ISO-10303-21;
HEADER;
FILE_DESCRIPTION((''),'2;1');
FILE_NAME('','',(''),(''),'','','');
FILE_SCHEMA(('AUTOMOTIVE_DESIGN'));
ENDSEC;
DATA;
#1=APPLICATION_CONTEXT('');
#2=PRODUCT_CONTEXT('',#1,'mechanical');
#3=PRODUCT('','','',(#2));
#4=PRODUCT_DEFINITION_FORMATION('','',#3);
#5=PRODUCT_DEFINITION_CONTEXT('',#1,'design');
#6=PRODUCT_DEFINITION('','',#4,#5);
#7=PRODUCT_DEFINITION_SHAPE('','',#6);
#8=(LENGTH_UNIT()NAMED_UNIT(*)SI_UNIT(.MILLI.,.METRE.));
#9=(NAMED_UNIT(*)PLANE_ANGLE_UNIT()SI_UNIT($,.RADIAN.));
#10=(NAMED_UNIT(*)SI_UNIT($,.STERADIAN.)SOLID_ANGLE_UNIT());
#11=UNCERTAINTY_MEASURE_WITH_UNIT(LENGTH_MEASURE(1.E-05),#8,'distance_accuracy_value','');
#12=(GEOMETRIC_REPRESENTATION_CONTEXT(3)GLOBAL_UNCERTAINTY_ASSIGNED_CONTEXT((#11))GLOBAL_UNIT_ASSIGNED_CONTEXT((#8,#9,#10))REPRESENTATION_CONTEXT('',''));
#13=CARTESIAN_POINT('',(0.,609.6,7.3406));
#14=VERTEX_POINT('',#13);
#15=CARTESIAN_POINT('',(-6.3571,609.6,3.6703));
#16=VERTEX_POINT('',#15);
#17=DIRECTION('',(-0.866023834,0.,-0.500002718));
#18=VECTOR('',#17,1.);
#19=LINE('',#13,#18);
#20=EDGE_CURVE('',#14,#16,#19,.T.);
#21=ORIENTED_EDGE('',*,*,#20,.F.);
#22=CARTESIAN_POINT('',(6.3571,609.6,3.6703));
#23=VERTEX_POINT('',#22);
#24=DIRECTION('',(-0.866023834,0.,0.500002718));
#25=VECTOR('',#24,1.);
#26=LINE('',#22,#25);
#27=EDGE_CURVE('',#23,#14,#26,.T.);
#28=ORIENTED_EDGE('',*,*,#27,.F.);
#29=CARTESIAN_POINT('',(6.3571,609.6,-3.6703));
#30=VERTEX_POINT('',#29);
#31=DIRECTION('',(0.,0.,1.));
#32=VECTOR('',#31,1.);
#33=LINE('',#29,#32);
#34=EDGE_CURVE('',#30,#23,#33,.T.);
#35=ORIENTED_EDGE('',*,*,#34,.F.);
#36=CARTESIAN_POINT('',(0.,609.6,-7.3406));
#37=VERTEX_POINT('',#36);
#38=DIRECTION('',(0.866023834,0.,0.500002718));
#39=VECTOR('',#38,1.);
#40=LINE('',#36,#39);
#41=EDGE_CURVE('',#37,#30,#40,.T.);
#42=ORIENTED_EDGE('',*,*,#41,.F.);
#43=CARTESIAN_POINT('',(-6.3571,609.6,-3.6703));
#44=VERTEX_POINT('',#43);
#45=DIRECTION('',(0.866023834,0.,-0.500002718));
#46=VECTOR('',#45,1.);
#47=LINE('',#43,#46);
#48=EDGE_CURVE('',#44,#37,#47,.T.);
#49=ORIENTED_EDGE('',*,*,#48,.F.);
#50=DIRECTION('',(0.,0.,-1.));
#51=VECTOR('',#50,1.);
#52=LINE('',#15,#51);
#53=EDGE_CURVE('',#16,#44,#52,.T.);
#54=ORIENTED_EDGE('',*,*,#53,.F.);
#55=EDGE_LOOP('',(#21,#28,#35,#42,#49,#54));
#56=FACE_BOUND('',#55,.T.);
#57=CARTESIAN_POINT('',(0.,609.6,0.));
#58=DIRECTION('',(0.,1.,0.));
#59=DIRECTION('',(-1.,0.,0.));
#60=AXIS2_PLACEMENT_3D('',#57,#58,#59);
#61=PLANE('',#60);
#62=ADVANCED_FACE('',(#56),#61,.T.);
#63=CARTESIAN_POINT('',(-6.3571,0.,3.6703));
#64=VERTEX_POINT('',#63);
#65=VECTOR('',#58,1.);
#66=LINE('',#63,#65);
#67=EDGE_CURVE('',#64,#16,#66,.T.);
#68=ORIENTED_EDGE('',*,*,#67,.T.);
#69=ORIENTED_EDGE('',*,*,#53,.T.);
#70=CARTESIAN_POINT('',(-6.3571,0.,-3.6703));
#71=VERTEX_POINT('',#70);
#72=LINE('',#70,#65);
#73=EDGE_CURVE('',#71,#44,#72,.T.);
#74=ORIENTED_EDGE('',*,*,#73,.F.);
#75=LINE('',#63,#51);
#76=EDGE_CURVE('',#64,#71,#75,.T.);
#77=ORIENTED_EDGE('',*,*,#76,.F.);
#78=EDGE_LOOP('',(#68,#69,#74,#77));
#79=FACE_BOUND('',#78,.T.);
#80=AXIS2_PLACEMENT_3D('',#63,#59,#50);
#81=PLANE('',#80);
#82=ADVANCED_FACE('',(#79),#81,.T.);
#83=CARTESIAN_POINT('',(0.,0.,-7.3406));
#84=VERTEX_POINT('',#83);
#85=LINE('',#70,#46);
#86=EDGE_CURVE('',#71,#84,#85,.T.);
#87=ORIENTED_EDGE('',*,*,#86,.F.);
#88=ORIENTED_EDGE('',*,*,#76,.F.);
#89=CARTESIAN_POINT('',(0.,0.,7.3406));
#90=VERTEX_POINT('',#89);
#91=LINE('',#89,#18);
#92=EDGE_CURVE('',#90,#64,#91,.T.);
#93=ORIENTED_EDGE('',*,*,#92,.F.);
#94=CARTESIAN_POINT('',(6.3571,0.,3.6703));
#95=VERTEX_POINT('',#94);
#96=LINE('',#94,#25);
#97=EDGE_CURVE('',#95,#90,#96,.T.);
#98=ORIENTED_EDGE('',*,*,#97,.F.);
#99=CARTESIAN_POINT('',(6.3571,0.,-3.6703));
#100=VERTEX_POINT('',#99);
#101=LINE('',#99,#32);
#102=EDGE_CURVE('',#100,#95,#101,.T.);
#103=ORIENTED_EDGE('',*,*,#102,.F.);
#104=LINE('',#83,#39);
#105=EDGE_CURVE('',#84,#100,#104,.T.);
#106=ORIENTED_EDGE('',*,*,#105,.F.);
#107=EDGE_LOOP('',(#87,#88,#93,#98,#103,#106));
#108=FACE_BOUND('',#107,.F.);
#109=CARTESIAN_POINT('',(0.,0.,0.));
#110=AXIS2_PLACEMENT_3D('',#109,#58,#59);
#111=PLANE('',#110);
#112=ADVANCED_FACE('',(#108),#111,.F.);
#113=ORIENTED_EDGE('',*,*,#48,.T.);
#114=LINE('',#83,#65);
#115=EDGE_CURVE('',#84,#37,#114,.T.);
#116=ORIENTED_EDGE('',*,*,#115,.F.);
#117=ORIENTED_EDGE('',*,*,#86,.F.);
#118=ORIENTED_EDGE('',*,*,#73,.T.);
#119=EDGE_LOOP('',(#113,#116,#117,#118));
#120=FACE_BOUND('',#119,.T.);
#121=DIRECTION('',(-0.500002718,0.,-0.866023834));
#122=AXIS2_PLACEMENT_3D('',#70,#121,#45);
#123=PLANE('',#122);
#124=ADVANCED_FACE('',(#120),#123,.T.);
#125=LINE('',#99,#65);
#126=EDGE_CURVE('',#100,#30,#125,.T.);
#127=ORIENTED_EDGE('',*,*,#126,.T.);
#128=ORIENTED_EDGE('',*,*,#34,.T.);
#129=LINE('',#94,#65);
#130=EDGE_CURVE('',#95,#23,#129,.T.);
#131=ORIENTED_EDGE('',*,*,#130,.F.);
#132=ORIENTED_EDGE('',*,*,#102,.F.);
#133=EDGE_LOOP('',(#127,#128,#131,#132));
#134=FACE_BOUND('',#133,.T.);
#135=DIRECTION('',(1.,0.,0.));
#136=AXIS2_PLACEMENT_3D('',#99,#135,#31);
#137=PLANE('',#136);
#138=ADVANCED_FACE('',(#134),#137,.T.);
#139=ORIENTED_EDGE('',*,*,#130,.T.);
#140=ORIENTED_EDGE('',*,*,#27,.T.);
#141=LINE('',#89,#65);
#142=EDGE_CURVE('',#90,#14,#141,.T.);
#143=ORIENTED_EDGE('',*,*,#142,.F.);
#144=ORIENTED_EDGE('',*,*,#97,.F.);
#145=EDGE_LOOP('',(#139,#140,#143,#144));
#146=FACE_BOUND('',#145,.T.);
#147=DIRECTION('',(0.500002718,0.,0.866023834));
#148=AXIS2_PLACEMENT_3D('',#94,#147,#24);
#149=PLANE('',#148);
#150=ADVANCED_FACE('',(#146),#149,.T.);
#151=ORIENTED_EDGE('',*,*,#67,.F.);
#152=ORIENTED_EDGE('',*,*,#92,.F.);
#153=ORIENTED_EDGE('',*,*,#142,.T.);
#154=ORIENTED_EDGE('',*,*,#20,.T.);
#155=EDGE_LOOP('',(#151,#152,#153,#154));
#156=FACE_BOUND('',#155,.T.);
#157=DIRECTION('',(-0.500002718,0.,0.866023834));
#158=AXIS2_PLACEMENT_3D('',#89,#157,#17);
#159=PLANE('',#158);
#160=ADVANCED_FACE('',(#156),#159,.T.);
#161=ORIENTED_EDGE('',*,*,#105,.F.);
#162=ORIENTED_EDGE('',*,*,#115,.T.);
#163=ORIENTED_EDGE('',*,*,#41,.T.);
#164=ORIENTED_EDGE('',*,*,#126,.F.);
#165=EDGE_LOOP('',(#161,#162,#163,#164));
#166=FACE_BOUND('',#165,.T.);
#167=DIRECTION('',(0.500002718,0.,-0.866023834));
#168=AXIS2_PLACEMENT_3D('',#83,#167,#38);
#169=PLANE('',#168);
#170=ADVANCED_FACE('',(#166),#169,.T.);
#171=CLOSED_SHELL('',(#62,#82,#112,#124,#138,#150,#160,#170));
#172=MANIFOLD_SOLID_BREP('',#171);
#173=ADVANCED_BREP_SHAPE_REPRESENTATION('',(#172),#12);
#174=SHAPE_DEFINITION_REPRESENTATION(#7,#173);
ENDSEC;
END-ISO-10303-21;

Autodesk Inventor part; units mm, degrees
ref_plane "YZ Plane" through (0, 0, 0) normal (1, 0, 0) x (0, 1, 0)
ref_plane "XZ Plane" through (0, 0, 0) normal (0, 1, 0) x (-1, 0, 0)
ref_plane "XY Plane" through (0, 0, 0) normal (0, 0, 1) x (1, 0, 0)
sketch "Sketch1" plane through (0, 0, 0) normal (0, 1, 0) x (-1, 0, 0)
  line L0 (0, -7.3406) -> (-6.3571, -3.6703)
  line L1 (-6.3571, -3.6703) -> (-6.3571, 3.6703)
  line L2 (-6.3571, 3.6703) -> (0, 7.3406)
  line L3 (0, 7.3406) -> (6.3571, 3.6703)
  line L4 (6.3571, 3.6703) -> (6.3571, -3.6703)
  line L5 (6.3571, -3.6703) -> (0, -7.3406)
  point P0 (0, 0)
  point P1 (0, 0)
  dimension "d0" = 7.3406
extrude "Extrusion1" add sketch "Sketch1" along normal blind 609.6
properties part number "intake-2" material "Aluminum 6061"
